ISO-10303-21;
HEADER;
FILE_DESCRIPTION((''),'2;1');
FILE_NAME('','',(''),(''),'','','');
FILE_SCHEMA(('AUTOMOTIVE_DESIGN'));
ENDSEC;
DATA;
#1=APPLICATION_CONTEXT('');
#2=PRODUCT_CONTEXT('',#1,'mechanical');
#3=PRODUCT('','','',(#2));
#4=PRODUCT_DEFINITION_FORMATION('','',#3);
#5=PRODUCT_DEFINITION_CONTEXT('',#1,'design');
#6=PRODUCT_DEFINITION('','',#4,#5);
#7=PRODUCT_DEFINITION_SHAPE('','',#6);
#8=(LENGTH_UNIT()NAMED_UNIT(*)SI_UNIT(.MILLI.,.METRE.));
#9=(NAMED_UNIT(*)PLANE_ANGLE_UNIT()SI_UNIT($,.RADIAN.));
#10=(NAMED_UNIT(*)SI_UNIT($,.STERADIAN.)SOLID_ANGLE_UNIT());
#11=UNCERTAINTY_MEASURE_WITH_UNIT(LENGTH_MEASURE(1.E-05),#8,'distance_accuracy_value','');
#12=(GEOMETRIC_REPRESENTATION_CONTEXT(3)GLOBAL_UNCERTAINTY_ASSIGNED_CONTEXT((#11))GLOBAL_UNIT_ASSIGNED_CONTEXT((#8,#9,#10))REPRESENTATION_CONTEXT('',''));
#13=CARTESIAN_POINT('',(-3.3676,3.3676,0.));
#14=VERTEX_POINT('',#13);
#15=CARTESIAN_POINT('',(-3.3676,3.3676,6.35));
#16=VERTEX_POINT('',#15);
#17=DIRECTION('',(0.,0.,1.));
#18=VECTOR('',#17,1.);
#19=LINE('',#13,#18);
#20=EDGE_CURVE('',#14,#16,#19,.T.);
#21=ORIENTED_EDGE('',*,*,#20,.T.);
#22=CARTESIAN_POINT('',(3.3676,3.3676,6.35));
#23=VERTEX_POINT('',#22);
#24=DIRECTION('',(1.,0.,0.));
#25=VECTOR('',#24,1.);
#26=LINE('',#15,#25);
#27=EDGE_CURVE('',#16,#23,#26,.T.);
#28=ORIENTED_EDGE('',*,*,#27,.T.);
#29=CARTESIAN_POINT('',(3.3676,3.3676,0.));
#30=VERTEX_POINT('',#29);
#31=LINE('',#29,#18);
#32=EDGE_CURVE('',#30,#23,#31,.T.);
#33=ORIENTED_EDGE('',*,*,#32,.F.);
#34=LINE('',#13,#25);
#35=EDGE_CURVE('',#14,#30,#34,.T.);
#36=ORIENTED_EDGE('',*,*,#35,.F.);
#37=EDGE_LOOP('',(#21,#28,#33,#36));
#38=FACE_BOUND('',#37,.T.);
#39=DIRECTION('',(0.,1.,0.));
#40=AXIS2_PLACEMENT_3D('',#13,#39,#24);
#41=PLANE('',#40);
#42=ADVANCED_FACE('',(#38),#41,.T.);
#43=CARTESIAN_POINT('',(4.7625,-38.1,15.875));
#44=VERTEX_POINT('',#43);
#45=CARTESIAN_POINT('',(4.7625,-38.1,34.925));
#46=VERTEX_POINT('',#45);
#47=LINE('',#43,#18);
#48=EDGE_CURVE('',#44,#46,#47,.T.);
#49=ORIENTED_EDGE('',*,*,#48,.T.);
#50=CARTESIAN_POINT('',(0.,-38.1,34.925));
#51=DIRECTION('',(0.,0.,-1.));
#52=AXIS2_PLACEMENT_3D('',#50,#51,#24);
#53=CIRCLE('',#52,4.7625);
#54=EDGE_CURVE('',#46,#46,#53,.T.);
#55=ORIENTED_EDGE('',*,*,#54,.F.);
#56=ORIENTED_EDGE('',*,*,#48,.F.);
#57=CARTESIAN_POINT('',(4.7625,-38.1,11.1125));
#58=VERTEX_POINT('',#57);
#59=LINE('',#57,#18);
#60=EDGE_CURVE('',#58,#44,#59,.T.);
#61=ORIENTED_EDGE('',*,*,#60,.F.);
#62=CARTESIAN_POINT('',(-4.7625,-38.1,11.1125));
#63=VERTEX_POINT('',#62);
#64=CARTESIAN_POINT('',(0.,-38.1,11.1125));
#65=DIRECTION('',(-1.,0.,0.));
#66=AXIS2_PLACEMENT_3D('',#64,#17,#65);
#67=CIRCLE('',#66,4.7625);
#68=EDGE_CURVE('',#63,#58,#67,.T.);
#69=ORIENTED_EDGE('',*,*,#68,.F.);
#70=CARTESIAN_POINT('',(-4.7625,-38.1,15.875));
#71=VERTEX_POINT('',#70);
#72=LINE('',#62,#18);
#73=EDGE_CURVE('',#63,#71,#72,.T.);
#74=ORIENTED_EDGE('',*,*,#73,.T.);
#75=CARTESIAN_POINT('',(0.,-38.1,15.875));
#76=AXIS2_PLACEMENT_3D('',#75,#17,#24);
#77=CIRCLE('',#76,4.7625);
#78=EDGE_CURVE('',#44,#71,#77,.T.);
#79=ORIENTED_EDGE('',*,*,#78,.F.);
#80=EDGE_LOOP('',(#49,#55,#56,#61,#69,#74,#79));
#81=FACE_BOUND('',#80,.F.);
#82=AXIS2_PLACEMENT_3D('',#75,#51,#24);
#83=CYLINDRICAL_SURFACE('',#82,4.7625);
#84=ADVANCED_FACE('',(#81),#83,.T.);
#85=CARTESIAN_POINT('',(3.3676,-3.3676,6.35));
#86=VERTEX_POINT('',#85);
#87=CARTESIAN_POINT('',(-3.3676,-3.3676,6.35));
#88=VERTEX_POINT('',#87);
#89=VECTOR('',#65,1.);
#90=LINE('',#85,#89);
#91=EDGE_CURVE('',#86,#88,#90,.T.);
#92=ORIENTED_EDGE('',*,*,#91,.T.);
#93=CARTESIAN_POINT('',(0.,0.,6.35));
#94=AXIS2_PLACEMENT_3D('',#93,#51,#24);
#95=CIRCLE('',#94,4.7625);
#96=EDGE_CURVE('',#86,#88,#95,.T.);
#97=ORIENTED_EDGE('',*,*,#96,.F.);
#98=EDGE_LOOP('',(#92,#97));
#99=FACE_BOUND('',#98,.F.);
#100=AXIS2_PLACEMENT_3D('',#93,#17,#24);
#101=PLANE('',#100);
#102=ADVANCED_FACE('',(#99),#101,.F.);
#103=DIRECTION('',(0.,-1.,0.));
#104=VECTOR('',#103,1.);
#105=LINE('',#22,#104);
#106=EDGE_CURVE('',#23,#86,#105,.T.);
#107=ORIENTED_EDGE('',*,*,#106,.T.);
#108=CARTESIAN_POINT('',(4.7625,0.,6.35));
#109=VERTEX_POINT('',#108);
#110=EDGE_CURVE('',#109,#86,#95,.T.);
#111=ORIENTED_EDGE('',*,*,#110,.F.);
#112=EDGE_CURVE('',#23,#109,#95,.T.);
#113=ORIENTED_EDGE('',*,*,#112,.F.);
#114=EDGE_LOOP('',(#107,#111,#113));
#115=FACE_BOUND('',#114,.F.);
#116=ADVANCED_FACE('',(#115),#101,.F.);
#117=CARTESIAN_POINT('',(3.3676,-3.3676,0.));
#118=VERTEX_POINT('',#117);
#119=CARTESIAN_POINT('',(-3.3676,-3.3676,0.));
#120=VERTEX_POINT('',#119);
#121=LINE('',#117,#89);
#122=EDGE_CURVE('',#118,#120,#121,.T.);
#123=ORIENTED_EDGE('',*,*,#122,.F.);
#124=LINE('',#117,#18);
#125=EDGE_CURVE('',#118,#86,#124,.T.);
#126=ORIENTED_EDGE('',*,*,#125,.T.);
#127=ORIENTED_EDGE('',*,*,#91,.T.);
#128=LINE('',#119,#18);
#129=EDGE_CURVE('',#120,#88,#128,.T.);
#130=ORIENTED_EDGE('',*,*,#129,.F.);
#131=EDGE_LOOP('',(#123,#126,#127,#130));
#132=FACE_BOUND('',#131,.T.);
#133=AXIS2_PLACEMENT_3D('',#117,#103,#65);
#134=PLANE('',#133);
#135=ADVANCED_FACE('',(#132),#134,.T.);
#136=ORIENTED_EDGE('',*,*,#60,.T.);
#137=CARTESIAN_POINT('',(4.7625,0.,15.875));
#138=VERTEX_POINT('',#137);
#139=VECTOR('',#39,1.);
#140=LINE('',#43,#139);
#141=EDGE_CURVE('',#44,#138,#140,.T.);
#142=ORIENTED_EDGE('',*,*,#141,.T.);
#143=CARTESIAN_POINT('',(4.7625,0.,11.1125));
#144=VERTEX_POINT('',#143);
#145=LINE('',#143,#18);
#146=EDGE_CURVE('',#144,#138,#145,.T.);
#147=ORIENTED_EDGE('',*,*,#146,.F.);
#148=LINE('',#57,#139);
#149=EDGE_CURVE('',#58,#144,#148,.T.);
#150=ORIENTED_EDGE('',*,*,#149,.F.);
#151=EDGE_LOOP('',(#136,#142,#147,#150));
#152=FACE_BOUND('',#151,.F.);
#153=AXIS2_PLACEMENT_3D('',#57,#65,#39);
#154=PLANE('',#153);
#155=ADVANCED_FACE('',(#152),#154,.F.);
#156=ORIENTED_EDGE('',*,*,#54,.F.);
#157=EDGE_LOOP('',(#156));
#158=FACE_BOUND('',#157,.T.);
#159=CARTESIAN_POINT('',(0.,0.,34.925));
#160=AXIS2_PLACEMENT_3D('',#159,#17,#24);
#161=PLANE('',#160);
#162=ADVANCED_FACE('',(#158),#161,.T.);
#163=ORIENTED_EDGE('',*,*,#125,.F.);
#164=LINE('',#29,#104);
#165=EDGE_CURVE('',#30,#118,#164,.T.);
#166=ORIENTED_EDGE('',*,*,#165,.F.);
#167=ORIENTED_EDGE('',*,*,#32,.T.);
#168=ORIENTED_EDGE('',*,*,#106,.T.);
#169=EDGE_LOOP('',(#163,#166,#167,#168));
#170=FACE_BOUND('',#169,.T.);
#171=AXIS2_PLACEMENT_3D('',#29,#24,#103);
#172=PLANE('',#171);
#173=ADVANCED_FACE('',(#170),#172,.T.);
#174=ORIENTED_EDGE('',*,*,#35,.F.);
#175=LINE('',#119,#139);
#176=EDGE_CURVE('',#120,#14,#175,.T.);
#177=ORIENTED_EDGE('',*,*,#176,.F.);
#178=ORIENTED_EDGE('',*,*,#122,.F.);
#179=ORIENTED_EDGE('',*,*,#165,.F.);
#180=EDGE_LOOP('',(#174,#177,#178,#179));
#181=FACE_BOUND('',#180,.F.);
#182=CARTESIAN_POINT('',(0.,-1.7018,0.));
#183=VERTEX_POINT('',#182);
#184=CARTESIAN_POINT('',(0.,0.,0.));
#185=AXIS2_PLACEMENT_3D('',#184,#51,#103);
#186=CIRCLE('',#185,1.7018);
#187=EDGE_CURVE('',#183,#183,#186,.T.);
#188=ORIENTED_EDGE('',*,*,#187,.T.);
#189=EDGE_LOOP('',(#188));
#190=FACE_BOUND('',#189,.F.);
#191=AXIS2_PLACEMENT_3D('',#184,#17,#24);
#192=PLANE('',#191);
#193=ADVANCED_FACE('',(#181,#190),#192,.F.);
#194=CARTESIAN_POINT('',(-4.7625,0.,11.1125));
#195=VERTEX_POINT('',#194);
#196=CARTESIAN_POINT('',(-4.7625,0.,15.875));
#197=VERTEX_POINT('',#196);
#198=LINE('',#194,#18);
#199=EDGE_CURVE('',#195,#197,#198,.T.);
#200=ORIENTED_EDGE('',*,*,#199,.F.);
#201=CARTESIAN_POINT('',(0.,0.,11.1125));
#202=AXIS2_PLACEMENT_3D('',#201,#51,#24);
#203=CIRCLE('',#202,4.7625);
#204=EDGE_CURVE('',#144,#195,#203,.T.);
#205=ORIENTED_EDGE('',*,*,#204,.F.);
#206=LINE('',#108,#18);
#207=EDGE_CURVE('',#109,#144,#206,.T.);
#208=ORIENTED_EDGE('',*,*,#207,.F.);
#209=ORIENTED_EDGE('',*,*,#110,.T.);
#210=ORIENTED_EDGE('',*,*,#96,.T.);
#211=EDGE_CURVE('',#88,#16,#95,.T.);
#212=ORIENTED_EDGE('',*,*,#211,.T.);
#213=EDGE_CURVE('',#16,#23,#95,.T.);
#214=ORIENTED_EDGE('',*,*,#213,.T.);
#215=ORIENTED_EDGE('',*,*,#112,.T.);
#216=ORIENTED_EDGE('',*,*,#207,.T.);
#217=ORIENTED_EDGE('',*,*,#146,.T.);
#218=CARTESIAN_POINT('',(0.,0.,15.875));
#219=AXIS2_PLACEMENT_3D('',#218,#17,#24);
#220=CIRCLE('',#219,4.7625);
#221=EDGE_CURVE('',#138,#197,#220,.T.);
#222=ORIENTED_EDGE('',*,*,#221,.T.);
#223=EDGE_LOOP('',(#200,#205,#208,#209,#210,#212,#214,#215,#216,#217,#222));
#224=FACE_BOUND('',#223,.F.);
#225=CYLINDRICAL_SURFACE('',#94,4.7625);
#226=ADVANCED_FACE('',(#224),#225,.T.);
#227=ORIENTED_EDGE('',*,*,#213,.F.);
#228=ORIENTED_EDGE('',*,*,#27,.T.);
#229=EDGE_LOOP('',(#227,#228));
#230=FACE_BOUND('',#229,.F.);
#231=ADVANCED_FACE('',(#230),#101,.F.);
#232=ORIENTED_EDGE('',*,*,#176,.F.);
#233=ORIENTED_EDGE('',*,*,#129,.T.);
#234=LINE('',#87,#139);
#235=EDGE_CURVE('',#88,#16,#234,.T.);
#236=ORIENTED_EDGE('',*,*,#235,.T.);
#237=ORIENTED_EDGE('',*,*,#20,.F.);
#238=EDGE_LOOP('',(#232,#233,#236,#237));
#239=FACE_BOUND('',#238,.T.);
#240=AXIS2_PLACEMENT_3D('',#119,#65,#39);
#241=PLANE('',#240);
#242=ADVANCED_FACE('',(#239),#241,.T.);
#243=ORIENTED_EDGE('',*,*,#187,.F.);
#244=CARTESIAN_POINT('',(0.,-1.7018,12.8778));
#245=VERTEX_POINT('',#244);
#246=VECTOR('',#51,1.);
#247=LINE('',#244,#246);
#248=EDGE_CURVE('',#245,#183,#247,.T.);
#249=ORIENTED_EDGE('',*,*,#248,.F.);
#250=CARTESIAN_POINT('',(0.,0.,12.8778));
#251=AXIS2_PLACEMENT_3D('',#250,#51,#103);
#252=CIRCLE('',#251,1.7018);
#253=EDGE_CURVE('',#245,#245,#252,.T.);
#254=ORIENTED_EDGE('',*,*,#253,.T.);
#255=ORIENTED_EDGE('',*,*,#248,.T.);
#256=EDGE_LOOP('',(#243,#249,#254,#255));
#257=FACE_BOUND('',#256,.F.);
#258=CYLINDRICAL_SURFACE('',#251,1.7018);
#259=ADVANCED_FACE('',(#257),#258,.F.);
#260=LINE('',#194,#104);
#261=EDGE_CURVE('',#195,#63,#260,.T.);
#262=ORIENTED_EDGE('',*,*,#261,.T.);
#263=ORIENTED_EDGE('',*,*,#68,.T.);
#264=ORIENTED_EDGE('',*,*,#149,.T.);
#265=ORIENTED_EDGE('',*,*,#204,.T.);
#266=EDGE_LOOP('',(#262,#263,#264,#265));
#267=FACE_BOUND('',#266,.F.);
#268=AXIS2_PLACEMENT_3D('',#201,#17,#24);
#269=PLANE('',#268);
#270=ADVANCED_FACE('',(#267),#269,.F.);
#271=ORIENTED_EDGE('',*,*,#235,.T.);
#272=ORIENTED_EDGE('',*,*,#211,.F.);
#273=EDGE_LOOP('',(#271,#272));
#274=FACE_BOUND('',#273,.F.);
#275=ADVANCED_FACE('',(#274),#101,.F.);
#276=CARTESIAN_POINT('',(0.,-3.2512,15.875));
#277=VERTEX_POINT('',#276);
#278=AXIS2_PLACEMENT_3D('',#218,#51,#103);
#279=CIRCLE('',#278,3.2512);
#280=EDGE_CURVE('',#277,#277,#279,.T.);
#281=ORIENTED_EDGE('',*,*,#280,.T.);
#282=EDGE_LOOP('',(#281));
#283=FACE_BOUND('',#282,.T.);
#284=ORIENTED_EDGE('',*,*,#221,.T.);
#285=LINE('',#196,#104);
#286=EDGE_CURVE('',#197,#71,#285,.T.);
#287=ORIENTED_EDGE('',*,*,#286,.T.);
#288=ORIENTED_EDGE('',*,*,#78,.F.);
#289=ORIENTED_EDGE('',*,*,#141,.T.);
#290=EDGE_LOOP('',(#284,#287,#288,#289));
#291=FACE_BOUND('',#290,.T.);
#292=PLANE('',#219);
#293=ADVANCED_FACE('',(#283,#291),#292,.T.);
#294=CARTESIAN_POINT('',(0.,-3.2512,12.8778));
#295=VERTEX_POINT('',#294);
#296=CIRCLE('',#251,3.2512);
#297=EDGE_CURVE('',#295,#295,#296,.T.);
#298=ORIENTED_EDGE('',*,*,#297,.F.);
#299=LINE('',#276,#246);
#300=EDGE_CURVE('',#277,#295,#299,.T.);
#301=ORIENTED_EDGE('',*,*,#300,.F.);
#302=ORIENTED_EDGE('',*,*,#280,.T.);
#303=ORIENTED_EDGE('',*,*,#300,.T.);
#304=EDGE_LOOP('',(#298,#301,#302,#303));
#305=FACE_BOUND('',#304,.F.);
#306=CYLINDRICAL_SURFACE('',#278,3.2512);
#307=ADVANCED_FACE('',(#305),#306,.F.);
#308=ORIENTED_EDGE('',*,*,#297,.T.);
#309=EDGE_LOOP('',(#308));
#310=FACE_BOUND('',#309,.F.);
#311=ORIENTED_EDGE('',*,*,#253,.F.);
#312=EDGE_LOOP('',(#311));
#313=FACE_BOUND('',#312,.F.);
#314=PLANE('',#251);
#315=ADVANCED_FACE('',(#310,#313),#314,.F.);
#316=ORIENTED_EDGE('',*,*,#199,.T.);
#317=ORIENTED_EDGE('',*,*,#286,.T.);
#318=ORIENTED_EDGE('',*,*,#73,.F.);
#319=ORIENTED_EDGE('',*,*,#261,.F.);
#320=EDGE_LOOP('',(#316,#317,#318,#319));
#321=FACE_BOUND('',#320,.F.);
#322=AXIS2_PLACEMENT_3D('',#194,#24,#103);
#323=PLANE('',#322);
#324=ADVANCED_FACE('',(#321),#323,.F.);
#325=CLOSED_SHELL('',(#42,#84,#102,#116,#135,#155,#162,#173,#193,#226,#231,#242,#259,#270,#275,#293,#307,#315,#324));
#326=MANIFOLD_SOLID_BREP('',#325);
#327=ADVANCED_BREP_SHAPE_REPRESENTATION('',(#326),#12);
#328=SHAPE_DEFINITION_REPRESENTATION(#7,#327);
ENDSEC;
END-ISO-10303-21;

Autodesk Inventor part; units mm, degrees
ref_plane "YZ Plane" through (0, 0, 0) normal (1, 0, 0) x (0, 1, 0)
ref_plane "XZ Plane" through (0, 0, 0) normal (0, 1, 0) x (-1, 0, 0)
ref_plane "XY Plane" through (0, 0, 0) normal (0, 0, 1) x (1, 0, 0)
sketch "Sketch1" plane through (0, 0, 0) normal (0, 0, 1) x (1, 0, 0)
  line L0 (-3.3676, 3.3676) -> (3.3676, 3.3676)
  line L1 (3.3676, 3.3676) -> (3.3676, -3.3676)
  line L2 (3.3676, -3.3676) -> (-3.3676, -3.3676)
  line L3 (-3.3676, -3.3676) -> (-3.3676, 3.3676)
  line L4 (-3.3676, 3.3676) -> (3.3676, -3.3676) construction
  line L5 (3.3676, 3.3676) -> (-3.3676, -3.3676) construction
  point P0 (0, 0)
  dimension "d0" = 6.7352
extrude "Extrusion1" add sketch "Sketch1" along normal blind 6.35
sketch "Sketch2" plane through (0, 0, 6.35) normal (0, 0, 1) x (1, 0, 0)
  line L0 (3.3676, -3.3676) -> (3.3676, 3.3676) projected
  line L1 (-3.3676, -3.3676) -> (3.3676, -3.3676) projected
  line L2 (3.3676, 3.3676) -> (-3.3676, 3.3676) projected
  line L3 (-3.3676, 3.3676) -> (-3.3676, -3.3676) projected
  circle A0 centre (0, 0) radius 4.7625
extrude "Extrusion2" add sketch "Sketch2" along normal blind 4.7625
sketch "Sketch3" plane through (0, 0, 11.1125) normal (0, 0, 1) x (1, 0, 0)
  circle A0 centre (0, 0) radius 4.7625 projected
  line L0 (0, 0) -> (0, -38.1) construction
  line L1 (-4.7625, 0) -> (-4.7625, -38.1)
  line L2 (4.7625, -38.1) -> (4.7625, 0)
  arc A1 (4.7625, 0) -> (-4.7625, 0) centre (0, 0) ccw
  arc A2 (-4.7625, -38.1) -> (4.7625, -38.1) centre (0, -38.1) ccw
  circle A3 centre (0, 0) radius 4.7625 projected
  point P0 (0, -19.05)
  dimension "d5" = 38.1
extrude "Extrusion3" add sketch "Sketch3" along normal blind 4.7625
sketch "Sketch4" plane through (0, 0, 15.875) normal (0, 0, 1) x (1, 0, 0)
  circle A0 centre (0, -38.1) radius 4.7625
  line L0 (4.7625, 0) -> (4.7625, -38.1) projected
  arc A1 (-4.7625, -38.1) -> (4.7625, -38.1) centre (0, -38.1) ccw projected
  line L1 (-4.7625, -38.1) -> (-4.7625, 0) projected
  arc A2 (4.7625, 0) -> (-4.7625, 0) centre (0, 0) ccw projected
  arc A3 (-4.7625, -38.1) -> (4.7625, -38.1) centre (0, -38.1) ccw projected
extrude "Extrusion4" add sketch "Sketch4" along normal blind 19.05 contours A0
sketch "Sketch5" plane through (-3.3676, -3.3676, 0) normal (-1, 0, 0) x (0, 0, 1)
  point P0 (0, 3.3676)
sketch "Sketch6" plane through (0, 0, 15.875) normal (0, 0, 1) x (1, 0, 0)
  circle A0 centre (0, 0) radius 4.7625
  line L0 (4.7625, 0) -> (4.7625, -38.1) projected
  arc A1 (-4.7625, -38.1) -> (4.7625, -38.1) centre (0, -38.1) ccw projected
  arc A2 (4.7625, -38.1) -> (-4.7625, -38.1) centre (0, -38.1) ccw projected
  arc A3 (4.7625, 0) -> (-4.7625, 0) centre (0, 0) ccw projected
  line L1 (-4.7625, -38.1) -> (-4.7625, 0) projected
hole "Hole1" at (0, 0, 15.875) direction (0, 0, -1) diameter 3.4036 end through all counterbore diameter 6.5024 counterbore depth 2.9972 clearance for "Socket Head Cap Screw" size "M3" standard "Ansi Metric M Profile"
equation "\"d0\" = l_key"
equation "\"d1\" = d_key"
equation "\"d6\" = t"
equation "\"d8\" = 4 * t"
equation "\"l_key\" = 6.735192"
equation "\"d_key\" = 6.35"
equation "\"t\" = 4.7625"
properties part number "Crank" material "ABS Plastic"
